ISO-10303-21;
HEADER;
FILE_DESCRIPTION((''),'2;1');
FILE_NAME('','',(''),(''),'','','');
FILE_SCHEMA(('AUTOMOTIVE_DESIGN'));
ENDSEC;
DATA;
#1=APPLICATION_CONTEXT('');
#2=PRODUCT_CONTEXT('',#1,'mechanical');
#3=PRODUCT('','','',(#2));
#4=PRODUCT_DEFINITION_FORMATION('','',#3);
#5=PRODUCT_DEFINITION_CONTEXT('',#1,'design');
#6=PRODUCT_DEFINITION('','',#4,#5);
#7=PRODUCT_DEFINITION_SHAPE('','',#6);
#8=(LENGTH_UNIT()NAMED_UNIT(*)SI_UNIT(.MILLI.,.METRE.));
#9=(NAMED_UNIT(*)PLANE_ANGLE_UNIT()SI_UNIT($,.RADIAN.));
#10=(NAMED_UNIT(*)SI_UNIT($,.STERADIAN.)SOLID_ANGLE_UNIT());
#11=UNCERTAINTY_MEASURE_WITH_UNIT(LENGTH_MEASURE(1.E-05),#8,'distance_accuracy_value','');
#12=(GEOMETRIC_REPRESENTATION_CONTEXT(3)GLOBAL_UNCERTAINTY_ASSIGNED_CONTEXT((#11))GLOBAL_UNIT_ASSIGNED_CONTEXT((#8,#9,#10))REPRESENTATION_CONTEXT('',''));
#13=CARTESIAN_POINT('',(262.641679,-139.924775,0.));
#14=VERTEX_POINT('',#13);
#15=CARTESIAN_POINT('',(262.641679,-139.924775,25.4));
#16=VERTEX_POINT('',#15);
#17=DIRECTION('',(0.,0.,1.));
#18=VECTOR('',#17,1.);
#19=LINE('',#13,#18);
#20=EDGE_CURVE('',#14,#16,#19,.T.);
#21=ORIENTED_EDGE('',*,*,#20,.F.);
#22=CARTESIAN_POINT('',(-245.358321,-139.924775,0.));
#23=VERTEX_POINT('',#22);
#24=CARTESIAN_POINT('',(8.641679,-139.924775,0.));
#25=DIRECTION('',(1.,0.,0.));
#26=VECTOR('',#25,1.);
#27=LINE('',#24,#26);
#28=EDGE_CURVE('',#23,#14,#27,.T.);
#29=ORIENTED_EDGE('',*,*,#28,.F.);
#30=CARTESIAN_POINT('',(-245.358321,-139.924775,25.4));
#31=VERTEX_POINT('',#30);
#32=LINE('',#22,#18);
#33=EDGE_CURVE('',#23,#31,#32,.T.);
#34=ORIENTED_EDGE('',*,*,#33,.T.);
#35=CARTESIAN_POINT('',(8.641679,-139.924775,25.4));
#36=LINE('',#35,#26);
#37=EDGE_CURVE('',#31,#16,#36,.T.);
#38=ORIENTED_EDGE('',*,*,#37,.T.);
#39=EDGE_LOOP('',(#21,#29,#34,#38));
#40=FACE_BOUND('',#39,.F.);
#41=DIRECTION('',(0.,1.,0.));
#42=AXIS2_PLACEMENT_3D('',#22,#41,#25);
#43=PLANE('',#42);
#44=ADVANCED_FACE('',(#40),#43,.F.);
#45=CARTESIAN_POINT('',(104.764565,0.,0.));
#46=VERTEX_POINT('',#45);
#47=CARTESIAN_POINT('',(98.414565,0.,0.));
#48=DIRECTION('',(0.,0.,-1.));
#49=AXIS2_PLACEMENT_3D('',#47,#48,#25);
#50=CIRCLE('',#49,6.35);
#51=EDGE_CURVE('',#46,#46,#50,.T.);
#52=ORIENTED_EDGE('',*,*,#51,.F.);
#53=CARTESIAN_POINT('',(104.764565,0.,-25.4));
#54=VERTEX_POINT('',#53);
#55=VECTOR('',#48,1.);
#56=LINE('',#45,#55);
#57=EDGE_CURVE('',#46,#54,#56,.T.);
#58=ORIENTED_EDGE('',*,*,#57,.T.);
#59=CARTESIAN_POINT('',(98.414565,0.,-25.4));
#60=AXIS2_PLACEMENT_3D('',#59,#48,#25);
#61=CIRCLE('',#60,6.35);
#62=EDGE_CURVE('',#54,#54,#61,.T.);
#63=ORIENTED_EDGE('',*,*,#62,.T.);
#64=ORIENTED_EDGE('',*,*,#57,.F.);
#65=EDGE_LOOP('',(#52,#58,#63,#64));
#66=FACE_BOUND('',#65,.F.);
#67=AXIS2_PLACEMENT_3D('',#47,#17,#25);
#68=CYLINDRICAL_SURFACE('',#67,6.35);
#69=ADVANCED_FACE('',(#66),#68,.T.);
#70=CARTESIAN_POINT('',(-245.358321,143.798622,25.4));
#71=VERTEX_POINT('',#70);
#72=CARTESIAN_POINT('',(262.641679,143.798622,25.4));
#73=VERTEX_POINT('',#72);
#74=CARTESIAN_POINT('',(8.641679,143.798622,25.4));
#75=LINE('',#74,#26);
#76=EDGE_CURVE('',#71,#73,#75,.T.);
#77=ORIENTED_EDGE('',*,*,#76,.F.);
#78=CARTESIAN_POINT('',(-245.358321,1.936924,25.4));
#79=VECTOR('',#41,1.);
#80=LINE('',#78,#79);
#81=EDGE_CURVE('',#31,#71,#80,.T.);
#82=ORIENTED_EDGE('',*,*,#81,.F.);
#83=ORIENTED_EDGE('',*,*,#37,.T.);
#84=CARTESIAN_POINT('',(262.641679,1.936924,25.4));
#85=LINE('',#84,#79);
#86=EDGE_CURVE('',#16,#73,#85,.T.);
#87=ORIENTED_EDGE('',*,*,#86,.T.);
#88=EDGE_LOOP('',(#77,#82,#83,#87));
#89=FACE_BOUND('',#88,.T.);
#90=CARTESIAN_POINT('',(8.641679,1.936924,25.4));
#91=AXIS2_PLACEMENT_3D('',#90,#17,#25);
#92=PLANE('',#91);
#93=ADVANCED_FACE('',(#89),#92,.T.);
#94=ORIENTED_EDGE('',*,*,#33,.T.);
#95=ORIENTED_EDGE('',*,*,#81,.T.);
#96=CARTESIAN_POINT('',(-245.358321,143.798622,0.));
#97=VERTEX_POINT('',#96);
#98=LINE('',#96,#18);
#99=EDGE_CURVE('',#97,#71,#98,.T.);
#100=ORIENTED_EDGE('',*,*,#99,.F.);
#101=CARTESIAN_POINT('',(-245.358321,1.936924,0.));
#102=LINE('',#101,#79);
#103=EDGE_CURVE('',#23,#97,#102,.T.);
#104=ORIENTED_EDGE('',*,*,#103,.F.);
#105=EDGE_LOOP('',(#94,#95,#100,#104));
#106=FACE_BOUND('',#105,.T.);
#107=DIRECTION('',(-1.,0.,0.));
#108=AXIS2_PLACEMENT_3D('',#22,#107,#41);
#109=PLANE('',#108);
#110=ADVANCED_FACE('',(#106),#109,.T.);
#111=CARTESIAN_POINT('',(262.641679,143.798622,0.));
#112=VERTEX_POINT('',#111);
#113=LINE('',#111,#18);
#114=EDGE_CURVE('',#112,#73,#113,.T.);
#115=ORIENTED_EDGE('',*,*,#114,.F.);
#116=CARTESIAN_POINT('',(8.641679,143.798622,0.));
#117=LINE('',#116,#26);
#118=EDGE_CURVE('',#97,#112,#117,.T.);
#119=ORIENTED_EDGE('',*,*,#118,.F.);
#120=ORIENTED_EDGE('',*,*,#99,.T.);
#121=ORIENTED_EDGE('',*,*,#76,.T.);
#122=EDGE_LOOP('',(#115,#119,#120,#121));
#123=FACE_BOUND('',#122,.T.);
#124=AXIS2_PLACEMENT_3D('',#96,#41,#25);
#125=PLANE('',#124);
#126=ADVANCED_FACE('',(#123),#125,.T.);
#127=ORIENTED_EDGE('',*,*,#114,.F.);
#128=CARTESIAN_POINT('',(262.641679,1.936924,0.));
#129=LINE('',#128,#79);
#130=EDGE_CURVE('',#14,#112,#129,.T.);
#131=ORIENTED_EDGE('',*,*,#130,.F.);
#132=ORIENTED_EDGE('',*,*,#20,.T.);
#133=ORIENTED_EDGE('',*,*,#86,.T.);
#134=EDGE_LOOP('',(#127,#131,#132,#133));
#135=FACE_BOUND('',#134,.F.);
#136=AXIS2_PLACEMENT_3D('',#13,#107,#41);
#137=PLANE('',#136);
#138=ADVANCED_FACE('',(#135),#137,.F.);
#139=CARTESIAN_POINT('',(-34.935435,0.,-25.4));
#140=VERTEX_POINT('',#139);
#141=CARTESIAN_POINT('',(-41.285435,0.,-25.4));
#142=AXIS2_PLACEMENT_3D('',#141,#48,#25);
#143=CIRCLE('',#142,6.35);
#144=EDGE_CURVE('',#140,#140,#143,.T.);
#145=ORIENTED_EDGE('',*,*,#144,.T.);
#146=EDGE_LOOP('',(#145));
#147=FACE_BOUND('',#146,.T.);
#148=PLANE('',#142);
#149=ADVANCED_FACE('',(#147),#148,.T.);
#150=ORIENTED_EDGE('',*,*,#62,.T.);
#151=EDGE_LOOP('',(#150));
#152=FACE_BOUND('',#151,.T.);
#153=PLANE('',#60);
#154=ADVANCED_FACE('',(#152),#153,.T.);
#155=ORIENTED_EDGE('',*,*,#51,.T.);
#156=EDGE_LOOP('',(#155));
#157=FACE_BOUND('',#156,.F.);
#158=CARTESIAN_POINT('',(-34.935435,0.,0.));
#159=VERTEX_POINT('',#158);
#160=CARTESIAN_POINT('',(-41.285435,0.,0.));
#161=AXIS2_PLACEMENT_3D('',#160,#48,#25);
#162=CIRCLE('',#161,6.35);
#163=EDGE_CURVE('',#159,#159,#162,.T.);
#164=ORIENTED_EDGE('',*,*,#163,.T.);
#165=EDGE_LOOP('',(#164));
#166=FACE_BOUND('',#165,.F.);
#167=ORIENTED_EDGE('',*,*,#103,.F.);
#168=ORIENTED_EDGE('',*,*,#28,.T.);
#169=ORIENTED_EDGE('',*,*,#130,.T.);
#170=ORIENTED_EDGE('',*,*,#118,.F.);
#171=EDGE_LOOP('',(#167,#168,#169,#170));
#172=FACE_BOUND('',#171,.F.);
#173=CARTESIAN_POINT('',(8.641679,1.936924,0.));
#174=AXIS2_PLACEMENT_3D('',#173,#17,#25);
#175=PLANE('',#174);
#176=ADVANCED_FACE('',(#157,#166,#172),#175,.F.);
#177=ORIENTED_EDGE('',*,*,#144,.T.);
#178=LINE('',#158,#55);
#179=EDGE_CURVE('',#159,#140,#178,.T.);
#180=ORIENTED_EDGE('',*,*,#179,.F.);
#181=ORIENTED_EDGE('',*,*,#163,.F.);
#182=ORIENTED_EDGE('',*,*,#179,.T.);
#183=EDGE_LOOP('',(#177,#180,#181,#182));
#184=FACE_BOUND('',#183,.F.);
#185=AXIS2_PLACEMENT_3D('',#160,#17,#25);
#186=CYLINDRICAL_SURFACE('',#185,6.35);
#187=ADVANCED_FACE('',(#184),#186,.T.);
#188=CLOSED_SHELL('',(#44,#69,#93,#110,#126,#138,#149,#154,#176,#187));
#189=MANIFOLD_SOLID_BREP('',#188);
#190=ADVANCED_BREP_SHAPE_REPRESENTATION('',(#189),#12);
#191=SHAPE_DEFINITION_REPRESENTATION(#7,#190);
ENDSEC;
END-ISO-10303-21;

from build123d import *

# Parameters (mm, degrees)
F0_W     = 508
F0_H     = 283.723397
F1_DEPTH = 25.4
F2_R     = 6.35
F3_DEPTH = 25.4


with BuildPart() as f1:
    # F0 (on Top) → F1 (new body)
    with BuildSketch(Plane.XY):
        with Locations((8.641679, 1.936924)):
            Rectangle(F0_W, F0_H)
    extrude(amount=F1_DEPTH)

    # F2 (on face) → F3 (join)
    with BuildSketch(Plane(origin=(0, 0, 0), x_dir=(1, 0, 0), z_dir=(0, 0, -1))):
        with Locations((-41.285435, 0)):
            Circle(F2_R)
        with Locations((98.414565, 0)):
            Circle(F2_R)
    extrude(amount=F3_DEPTH)


solid = f1.part
